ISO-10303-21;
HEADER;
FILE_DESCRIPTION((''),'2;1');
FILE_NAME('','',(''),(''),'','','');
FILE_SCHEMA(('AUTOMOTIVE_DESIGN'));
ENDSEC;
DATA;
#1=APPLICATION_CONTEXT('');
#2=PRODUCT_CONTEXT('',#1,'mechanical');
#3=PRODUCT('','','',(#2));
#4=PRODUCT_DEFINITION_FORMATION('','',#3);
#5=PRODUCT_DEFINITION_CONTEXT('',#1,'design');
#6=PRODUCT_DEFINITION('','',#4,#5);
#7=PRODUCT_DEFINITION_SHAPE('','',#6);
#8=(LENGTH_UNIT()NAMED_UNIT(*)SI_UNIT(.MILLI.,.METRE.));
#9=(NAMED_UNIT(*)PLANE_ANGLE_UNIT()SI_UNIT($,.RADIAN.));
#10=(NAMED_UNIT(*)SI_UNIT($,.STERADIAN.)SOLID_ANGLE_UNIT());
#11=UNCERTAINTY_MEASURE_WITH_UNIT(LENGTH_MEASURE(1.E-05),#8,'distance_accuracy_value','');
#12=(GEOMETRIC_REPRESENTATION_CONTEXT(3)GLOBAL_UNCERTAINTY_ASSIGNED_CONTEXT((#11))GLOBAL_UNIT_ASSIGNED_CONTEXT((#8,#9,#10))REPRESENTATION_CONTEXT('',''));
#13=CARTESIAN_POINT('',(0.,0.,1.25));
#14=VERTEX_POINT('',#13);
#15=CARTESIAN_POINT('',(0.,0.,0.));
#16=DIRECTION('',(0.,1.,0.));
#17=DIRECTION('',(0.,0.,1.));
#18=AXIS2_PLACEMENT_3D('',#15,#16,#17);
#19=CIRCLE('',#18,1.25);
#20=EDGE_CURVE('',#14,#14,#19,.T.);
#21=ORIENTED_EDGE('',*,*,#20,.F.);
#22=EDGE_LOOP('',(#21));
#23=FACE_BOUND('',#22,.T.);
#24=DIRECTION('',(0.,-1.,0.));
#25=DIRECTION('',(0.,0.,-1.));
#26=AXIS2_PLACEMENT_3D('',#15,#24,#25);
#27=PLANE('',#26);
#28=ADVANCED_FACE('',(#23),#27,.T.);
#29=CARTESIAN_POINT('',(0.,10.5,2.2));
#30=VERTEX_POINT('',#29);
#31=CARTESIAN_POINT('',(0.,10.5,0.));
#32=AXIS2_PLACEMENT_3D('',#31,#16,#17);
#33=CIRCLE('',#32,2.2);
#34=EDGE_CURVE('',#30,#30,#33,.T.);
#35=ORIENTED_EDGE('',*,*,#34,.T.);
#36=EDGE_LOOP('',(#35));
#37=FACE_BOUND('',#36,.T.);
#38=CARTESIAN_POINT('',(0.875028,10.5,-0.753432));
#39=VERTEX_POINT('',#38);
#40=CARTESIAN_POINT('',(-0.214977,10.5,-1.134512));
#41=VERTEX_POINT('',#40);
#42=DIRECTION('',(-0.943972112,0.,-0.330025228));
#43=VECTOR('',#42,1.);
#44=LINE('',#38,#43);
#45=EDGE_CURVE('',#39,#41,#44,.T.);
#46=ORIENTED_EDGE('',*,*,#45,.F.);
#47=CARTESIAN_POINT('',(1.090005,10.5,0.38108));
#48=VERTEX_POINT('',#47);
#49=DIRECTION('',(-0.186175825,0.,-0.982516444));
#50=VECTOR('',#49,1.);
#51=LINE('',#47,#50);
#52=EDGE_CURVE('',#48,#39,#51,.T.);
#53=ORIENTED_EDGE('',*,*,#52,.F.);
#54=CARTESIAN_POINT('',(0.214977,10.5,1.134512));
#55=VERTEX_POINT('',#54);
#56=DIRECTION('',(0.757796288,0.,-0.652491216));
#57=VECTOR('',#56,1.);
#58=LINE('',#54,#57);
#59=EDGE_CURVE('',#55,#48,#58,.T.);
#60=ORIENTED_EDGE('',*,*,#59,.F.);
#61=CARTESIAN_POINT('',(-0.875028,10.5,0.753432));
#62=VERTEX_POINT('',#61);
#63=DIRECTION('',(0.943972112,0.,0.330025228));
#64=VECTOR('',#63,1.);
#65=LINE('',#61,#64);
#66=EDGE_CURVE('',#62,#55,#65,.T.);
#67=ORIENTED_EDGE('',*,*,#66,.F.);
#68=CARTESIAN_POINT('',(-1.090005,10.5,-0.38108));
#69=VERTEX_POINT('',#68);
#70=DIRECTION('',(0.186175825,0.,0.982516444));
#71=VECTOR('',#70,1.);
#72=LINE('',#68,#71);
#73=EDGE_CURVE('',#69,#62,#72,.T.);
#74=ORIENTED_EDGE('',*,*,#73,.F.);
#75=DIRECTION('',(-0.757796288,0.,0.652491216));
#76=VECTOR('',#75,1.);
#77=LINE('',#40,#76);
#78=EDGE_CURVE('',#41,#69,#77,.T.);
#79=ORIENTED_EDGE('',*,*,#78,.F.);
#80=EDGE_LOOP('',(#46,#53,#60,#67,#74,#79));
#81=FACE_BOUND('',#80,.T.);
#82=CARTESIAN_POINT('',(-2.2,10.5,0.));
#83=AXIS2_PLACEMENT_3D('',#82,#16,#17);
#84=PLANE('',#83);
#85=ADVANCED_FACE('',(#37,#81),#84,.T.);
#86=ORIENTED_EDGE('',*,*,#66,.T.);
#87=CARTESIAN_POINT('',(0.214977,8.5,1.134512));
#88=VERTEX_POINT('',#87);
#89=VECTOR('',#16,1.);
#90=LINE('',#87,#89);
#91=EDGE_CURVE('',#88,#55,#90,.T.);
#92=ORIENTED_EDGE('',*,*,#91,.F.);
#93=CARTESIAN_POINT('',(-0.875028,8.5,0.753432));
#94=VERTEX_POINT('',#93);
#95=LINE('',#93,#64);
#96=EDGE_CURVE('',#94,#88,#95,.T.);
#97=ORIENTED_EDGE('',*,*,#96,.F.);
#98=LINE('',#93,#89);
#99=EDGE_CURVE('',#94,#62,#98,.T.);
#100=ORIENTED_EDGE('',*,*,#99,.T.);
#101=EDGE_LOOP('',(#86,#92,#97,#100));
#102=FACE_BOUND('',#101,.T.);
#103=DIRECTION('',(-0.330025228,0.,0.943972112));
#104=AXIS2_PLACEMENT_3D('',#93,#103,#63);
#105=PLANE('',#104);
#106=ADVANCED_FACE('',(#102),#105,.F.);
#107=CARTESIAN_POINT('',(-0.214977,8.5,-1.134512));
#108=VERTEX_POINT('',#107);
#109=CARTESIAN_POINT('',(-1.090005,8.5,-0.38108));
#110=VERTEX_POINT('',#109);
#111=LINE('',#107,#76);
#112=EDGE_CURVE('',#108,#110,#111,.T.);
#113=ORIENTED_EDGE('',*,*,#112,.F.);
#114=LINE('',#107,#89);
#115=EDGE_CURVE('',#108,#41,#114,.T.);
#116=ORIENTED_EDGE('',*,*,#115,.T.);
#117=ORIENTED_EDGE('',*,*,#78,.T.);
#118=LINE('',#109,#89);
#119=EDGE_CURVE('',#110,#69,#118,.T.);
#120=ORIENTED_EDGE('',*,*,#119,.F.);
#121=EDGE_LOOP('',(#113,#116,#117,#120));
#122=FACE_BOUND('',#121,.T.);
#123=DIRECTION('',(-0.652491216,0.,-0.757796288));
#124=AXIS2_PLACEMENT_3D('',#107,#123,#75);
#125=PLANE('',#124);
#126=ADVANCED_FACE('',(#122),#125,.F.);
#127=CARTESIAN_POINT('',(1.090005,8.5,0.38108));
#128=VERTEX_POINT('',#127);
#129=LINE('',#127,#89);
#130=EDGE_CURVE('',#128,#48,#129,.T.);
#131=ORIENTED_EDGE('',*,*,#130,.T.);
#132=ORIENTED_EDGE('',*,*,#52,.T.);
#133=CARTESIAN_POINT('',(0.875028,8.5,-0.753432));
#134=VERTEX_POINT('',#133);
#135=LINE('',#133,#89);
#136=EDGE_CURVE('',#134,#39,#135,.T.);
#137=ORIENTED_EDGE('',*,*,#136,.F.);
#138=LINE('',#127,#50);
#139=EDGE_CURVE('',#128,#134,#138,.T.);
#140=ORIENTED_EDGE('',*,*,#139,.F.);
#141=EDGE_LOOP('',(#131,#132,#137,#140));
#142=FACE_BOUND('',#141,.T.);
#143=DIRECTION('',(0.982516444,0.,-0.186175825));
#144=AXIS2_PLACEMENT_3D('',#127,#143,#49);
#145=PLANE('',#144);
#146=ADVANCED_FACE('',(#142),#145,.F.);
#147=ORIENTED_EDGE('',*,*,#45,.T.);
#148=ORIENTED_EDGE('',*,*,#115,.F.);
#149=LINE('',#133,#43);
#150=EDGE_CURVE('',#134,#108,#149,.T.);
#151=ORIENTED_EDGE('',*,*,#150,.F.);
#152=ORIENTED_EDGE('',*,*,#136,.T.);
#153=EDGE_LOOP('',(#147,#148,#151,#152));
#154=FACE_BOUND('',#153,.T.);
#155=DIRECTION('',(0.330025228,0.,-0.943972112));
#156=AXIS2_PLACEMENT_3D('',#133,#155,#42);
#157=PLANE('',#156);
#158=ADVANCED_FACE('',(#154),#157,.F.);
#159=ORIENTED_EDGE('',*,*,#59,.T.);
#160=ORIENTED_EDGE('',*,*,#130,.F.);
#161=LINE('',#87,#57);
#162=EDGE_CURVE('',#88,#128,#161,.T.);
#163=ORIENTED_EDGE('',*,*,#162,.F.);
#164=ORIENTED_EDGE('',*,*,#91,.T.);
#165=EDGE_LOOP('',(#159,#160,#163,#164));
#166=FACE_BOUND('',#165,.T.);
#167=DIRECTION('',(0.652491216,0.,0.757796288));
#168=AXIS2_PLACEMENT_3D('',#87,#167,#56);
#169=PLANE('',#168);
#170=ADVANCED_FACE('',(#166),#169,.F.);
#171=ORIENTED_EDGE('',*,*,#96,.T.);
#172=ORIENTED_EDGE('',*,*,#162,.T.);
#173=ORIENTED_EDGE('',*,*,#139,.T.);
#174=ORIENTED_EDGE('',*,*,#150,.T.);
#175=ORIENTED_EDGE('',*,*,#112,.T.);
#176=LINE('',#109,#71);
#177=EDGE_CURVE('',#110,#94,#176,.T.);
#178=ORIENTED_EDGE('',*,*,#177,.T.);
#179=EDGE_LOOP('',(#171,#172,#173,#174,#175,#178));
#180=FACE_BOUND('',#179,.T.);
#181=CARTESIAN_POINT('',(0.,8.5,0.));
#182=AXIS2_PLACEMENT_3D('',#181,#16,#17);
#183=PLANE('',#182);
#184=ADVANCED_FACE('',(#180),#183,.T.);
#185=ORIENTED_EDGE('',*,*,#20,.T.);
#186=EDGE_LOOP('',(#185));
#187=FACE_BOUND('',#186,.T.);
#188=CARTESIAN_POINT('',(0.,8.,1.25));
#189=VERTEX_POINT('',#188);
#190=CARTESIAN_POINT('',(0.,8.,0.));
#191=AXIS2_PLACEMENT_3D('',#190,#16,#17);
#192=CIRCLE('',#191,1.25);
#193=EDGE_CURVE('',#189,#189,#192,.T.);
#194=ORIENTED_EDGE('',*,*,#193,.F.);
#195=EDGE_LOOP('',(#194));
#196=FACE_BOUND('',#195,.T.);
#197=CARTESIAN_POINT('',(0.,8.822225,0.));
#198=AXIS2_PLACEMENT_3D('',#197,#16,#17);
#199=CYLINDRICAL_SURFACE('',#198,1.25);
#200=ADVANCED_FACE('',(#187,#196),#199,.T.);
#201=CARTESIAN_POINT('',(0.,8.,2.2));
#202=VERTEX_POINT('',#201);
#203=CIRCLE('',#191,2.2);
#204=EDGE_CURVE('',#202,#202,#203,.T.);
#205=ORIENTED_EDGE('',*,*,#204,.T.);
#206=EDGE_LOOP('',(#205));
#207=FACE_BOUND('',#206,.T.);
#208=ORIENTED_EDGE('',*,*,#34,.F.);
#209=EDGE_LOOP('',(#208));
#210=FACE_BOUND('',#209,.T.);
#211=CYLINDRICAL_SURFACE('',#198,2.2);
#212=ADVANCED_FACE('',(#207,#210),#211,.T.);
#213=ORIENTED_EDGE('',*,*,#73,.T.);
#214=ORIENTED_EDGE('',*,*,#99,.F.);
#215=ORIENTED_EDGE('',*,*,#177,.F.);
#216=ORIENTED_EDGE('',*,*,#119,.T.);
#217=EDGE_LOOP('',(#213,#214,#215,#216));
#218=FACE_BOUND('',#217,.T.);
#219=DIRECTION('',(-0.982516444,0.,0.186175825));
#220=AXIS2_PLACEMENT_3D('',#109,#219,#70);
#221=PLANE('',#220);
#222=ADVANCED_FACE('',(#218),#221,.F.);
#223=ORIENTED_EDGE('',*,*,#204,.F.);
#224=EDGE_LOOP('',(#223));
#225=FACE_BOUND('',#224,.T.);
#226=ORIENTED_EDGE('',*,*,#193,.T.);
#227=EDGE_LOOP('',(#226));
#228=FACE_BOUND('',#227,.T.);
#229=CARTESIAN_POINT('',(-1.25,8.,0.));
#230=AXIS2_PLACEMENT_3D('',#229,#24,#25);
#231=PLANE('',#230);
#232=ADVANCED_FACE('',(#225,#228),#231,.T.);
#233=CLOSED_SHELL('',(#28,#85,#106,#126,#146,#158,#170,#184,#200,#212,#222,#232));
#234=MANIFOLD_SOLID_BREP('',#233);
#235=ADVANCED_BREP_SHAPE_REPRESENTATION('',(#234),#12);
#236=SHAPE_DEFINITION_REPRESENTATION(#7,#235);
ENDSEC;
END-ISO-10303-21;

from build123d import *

# Parameters (mm, degrees)
CORTAR_EXTRUIR1_DEPTH = 2


with BuildPart() as part:
    # Croquis1 → Revolución1 (revolve)
    with BuildSketch(Plane.XY, mode=Mode.PRIVATE) as revoluci_n1_sk:
        Polygon((0, 0), (-1.25, 0), (-1.25, 8), (-2.2, 8), (-2.2, 10.5), (-0.840646635, 10.5), (-0.840646635, 8.822225361), (0, 8.822225361), align=None)
    revolve(revoluci_n1_sk.sketch.rotate(Axis((0, 8.822225361, 0), (0, -1, 0)), 270), axis=Axis((0, 8.822225361, 0), (0, -1, 0)))

    # Croquis2 → Cortar-Extruir1 (cut)
    with BuildSketch(Plane(origin=(0, 10.5, 0), x_dir=(1, 0, 0), z_dir=(0, 1, 0))):
        Polygon((0.875027781, 0.753431958), (-0.214977325, 1.134512267), (-1.090005106, 0.381080309), (-0.875027781, -0.753431958), (0.214977325, -1.134512267), (1.090005106, -0.381080309), align=None)
    extrude(amount=-CORTAR_EXTRUIR1_DEPTH, mode=Mode.SUBTRACT)


solid = part.part
